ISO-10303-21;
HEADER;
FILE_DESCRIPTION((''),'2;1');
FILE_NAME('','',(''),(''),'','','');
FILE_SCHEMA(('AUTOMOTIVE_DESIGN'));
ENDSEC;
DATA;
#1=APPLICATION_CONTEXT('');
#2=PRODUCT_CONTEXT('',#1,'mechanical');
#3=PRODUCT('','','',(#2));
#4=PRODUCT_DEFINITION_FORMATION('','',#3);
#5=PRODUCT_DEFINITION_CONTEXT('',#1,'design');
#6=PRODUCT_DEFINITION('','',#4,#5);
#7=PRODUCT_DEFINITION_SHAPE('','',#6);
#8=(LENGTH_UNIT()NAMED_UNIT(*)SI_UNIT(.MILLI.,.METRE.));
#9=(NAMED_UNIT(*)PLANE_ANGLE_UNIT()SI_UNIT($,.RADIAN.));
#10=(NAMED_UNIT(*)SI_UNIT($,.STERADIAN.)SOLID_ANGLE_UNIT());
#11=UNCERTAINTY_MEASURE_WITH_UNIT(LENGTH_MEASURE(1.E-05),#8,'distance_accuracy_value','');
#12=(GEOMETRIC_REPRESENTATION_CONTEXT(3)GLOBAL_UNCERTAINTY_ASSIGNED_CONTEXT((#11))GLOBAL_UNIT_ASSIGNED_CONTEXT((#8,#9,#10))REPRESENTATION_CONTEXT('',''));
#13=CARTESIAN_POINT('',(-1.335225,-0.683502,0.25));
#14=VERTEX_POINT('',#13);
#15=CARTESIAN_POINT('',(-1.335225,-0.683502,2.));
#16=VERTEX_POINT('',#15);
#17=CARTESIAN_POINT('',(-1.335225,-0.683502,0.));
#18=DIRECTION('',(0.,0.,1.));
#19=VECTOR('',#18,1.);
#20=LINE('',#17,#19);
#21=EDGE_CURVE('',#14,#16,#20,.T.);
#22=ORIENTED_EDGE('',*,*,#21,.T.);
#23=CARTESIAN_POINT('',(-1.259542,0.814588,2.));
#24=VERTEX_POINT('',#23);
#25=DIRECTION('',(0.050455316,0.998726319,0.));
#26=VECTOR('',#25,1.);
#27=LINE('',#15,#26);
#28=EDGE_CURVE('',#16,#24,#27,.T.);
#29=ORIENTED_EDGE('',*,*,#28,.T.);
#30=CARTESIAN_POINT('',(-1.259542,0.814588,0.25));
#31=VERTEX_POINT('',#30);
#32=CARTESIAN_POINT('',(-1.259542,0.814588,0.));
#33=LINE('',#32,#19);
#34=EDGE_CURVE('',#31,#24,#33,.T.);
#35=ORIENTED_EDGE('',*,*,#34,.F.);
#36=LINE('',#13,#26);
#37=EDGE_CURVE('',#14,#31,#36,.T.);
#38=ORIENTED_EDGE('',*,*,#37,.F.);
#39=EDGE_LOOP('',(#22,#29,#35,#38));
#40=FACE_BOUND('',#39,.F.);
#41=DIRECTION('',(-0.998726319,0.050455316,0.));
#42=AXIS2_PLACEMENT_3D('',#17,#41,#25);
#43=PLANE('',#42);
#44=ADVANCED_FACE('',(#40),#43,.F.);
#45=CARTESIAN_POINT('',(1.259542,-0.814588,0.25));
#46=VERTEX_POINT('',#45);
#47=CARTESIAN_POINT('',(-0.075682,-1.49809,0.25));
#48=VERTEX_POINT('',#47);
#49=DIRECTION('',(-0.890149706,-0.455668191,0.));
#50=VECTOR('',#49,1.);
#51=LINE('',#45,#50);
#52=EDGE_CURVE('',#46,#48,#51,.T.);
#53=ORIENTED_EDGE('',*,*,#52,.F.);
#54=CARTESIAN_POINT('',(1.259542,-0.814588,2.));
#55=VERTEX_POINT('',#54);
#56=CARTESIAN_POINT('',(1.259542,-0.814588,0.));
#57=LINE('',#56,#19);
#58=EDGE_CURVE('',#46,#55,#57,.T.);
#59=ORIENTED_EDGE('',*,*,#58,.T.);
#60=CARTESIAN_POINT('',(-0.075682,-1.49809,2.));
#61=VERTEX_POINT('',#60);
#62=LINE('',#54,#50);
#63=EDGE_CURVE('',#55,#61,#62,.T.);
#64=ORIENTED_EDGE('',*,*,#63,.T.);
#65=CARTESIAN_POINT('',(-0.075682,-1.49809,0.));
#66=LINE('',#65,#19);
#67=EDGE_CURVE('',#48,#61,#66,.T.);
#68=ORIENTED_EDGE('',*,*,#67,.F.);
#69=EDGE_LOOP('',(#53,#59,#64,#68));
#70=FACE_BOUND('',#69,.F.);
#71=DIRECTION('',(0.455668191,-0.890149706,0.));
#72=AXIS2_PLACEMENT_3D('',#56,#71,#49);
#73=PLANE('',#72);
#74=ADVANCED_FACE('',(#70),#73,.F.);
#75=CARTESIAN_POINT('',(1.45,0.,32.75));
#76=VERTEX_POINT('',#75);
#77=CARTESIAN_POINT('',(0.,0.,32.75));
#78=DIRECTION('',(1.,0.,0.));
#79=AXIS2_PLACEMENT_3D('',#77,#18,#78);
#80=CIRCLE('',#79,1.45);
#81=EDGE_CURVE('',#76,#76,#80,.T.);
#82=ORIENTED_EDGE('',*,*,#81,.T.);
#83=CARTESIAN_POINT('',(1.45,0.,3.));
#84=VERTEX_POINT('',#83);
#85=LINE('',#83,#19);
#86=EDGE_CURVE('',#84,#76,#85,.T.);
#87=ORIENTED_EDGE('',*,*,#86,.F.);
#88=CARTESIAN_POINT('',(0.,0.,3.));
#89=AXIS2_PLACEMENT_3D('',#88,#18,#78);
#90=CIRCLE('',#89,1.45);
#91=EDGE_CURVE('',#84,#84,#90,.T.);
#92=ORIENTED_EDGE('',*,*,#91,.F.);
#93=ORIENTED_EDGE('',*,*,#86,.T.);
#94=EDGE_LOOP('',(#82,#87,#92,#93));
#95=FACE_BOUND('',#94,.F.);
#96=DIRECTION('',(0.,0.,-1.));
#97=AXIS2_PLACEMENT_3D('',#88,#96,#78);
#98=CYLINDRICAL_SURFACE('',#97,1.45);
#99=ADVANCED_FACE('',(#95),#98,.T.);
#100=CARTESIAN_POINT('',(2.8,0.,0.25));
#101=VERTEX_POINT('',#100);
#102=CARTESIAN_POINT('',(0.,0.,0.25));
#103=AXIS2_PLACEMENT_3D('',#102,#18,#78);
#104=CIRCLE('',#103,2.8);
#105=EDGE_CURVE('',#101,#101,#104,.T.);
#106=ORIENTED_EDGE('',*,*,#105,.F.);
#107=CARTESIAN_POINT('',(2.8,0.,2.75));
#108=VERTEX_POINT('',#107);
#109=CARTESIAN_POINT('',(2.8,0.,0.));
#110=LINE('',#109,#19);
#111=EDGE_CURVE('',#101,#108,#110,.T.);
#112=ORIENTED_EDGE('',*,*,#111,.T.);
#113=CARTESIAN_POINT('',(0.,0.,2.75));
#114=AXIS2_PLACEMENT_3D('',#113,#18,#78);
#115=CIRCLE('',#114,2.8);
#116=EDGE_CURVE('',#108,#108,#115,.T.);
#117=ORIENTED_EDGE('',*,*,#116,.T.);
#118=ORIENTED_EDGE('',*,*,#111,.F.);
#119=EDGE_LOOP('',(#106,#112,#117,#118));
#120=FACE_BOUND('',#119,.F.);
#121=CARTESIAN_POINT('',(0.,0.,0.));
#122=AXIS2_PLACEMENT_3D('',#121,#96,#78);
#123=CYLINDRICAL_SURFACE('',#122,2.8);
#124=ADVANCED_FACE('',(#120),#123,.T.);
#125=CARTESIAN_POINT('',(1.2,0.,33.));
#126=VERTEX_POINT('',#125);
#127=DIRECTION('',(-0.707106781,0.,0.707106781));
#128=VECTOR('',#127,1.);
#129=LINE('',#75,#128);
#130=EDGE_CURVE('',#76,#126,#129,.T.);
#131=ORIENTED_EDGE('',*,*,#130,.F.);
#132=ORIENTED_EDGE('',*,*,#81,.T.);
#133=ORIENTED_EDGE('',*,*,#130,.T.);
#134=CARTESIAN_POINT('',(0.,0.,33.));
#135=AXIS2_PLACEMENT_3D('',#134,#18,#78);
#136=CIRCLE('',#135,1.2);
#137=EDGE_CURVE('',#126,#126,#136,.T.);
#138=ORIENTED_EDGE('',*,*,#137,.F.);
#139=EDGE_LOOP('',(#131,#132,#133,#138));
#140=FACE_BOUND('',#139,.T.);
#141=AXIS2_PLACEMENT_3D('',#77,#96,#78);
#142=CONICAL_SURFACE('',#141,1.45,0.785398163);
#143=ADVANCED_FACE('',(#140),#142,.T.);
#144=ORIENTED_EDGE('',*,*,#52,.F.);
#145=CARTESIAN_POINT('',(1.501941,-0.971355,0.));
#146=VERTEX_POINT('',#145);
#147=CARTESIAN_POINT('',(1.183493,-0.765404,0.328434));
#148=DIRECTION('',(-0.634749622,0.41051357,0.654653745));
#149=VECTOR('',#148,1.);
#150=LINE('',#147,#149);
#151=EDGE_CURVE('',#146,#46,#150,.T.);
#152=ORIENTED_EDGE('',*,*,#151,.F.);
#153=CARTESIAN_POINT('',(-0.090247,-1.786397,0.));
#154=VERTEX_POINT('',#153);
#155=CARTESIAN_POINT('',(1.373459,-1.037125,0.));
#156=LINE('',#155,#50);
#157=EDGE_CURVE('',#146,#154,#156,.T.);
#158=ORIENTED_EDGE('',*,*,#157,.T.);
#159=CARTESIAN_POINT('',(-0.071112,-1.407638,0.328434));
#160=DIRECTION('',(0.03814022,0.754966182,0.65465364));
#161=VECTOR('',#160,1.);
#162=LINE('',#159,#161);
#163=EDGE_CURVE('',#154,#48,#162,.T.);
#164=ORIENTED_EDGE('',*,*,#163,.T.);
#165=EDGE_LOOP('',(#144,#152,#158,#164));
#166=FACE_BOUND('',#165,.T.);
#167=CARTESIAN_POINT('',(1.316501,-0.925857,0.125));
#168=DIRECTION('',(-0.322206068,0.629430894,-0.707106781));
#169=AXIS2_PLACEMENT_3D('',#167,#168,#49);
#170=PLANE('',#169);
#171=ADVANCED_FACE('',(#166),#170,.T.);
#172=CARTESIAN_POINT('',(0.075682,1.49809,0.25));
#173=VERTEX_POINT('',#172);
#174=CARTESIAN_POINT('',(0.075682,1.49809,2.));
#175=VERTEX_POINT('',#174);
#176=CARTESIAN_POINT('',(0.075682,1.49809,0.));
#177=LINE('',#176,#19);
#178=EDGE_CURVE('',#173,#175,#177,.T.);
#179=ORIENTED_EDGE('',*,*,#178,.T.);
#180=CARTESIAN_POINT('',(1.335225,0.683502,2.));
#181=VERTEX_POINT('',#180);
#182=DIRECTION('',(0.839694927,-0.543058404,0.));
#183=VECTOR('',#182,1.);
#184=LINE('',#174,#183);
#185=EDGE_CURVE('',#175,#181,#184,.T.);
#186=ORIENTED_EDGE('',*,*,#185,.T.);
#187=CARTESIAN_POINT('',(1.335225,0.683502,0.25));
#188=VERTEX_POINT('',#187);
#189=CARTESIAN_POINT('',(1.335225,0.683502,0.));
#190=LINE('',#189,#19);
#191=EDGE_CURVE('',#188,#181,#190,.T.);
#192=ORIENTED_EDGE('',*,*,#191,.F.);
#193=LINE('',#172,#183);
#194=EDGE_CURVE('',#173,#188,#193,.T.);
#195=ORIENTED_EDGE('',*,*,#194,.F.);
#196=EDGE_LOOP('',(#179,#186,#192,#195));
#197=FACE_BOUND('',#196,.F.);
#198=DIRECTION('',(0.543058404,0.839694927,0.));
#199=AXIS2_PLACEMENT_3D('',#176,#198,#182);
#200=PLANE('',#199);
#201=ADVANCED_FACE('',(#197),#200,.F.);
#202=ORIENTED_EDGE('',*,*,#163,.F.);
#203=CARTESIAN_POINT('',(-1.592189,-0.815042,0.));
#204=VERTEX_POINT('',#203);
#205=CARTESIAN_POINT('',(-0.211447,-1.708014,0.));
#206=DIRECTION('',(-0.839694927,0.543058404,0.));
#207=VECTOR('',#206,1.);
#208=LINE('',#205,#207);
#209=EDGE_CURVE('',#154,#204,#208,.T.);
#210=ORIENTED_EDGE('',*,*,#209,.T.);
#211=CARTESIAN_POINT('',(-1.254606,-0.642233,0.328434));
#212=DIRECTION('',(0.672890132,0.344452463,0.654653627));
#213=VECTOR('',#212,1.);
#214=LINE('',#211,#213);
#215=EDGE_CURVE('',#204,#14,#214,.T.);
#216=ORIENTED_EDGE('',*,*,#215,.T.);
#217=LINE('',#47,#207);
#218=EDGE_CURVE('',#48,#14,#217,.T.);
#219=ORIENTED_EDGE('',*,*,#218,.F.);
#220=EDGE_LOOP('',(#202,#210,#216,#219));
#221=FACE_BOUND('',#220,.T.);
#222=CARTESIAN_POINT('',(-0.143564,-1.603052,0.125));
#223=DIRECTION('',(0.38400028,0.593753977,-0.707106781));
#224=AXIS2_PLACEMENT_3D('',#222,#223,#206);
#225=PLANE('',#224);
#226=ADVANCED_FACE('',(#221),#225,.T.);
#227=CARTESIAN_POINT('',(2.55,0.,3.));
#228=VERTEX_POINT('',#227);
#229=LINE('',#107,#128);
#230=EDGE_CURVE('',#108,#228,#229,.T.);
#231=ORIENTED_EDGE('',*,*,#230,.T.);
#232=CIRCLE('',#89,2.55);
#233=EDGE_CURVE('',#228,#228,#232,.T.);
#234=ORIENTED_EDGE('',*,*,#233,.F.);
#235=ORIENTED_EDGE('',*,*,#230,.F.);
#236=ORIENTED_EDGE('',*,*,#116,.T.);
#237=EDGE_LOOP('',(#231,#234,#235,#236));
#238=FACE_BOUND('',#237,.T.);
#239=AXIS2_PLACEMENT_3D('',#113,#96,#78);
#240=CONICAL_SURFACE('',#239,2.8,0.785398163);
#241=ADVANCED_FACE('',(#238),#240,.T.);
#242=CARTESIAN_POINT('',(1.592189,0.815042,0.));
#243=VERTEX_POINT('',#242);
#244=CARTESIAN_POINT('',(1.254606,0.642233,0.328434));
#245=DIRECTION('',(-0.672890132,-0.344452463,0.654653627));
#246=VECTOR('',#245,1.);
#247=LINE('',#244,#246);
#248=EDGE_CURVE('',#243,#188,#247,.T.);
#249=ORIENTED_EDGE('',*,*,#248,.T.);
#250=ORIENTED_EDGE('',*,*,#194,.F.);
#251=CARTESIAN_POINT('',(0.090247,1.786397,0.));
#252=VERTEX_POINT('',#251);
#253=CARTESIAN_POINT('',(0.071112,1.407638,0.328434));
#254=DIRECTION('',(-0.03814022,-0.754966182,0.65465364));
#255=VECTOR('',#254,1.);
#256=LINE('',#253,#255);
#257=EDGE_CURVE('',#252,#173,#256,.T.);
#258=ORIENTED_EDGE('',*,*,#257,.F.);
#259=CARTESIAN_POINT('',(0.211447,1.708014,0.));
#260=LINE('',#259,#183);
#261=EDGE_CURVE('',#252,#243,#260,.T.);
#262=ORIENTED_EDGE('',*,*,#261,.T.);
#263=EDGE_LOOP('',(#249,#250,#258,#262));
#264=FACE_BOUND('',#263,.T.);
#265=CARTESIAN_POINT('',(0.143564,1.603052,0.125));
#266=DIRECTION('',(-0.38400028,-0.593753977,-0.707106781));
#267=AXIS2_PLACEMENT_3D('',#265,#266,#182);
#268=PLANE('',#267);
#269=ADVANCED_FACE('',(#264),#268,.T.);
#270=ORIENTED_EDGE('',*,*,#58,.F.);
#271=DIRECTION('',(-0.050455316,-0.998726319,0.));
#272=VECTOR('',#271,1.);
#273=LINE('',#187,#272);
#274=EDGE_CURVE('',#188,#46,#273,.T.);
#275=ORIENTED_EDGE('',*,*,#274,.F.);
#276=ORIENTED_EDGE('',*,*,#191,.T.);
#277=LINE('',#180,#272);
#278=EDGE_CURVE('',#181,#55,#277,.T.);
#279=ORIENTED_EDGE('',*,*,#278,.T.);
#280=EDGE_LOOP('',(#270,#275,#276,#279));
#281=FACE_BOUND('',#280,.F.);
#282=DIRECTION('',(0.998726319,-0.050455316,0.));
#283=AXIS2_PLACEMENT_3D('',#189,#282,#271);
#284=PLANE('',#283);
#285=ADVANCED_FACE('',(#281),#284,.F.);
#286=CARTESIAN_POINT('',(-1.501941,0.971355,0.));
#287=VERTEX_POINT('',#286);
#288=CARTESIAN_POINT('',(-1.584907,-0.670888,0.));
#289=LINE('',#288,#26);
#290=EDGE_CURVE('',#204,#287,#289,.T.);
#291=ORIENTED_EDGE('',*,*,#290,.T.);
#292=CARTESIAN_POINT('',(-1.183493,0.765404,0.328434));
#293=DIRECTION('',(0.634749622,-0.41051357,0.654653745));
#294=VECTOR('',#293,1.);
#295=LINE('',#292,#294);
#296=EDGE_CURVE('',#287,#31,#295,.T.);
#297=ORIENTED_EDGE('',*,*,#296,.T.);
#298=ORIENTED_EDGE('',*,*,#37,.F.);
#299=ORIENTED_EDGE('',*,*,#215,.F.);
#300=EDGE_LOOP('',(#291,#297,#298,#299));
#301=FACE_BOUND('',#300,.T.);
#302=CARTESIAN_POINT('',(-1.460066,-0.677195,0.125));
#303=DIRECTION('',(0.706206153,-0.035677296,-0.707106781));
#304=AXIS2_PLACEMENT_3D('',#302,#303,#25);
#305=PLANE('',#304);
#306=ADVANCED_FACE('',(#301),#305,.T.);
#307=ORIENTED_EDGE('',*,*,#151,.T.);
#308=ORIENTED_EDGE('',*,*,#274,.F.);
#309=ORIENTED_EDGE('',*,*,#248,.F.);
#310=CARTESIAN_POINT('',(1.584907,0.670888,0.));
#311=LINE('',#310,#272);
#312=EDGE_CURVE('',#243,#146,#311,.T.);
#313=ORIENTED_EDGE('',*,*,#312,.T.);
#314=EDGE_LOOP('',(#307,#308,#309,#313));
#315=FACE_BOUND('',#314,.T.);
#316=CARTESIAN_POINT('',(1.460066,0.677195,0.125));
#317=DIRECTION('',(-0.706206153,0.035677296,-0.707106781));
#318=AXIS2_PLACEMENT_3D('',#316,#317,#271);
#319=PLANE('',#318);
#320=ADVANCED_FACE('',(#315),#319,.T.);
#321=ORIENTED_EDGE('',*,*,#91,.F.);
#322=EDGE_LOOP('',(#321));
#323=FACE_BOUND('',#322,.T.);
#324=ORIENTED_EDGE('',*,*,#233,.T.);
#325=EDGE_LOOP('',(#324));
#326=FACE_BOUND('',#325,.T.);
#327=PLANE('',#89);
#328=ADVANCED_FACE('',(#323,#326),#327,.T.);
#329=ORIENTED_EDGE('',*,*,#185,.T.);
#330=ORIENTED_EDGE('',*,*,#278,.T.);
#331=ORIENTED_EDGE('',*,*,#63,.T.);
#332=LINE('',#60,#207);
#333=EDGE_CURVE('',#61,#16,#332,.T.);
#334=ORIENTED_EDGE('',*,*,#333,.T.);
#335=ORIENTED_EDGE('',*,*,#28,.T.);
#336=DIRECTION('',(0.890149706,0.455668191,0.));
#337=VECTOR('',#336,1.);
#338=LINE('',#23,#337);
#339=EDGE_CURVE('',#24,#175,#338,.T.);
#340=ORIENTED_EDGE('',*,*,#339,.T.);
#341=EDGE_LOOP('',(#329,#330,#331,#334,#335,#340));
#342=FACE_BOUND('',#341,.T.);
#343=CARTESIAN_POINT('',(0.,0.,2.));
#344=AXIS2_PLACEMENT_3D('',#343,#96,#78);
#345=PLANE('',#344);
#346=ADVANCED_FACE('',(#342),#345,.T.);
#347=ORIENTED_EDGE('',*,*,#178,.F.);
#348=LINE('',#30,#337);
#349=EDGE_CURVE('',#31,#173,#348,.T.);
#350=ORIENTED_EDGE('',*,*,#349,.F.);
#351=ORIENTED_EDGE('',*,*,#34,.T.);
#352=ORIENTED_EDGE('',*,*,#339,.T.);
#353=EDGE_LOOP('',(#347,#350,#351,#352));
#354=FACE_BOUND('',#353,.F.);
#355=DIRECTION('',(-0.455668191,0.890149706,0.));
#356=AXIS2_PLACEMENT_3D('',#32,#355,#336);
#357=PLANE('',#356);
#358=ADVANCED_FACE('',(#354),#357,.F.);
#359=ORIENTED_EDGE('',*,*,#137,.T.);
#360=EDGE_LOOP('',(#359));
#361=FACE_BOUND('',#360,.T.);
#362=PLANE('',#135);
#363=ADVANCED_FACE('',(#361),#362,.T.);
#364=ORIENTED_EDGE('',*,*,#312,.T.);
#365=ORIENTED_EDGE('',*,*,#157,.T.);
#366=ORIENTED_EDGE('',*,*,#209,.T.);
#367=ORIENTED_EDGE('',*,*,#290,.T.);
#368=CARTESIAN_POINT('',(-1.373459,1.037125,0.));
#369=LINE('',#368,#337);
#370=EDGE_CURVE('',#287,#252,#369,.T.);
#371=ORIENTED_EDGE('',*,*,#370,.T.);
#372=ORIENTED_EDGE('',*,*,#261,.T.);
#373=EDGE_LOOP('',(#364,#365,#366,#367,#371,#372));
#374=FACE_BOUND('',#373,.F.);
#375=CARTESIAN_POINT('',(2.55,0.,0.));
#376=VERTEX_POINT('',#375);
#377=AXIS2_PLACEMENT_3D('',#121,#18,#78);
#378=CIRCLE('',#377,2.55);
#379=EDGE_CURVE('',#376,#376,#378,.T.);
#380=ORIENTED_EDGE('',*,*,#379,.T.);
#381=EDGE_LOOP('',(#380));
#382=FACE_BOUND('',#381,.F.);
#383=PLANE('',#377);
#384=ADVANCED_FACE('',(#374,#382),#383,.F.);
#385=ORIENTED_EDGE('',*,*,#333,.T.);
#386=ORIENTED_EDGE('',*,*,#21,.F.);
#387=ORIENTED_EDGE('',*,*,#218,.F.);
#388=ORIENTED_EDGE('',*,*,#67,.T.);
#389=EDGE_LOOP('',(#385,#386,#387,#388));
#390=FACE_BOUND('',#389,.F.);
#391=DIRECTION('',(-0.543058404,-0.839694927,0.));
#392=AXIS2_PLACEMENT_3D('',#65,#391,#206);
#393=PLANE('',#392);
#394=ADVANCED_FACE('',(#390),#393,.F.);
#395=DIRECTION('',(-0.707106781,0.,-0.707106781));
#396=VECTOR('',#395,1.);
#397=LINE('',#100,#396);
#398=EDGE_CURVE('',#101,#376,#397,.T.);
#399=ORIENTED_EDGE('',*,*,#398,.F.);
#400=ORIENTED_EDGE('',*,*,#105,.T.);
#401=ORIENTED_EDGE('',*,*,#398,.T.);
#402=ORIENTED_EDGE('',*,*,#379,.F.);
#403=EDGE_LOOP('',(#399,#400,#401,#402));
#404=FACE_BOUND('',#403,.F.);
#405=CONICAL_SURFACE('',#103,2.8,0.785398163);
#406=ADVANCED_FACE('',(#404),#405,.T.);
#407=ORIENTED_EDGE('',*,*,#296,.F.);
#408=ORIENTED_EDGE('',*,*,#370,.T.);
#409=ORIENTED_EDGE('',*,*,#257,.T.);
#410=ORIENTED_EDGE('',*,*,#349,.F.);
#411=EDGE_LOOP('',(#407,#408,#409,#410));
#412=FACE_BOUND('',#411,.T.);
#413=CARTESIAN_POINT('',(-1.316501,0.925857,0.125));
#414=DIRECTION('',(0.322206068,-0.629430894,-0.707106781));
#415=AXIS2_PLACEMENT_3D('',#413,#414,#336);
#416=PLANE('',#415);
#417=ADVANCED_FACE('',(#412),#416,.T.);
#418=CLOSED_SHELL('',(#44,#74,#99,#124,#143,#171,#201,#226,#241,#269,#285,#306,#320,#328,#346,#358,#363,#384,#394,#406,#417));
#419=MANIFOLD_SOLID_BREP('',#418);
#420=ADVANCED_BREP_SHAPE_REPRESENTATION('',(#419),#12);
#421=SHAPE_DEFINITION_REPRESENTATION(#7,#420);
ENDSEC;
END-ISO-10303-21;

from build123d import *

# Parameters (mm, degrees)
SKETCH_R     = 2.8
PAD_DEPTH    = 3
SKETCH001_R  = 1.45
PAD001_DEPTH = 30
POCKET_DEPTH = 2
CHAMFER_SIZE = 0.25


with BuildPart() as part:
    # Sketch → Pad (new body)
    with BuildSketch(Plane.XY):
        Circle(SKETCH_R)
    extrude(amount=PAD_DEPTH)

    # Sketch001 (on Face3 of Pad) → Pad001 (join)
    with BuildSketch(Plane.XY.offset(3)):
        Circle(SKETCH001_R)
    extrude(amount=PAD001_DEPTH)

    # Sketch002 (on Face2 of Pad001) → Pocket (cut)
    with BuildSketch(Plane(origin=(0, 0, 0), x_dir=(1, 0, 0), z_dir=(0, 0, -1))):
        Polygon((1.259542, 0.814588), (-0.075682, 1.49809), (-1.335225, 0.683502), (-1.259542, -0.814588), (0.075682, -1.49809), (1.335225, -0.683502), align=None)
    extrude(amount=-POCKET_DEPTH, mode=Mode.SUBTRACT)

    # Chamfer
    chamfer_edges = [part.edges().sort_by_distance(p)[0] for p in [
        (-2.8, 0, 3),
        (-2.8, 0, 0),
        (1.297384, -0.065543, 0),
        (0.705454, 1.090796, 0),
        (-0.59193, 1.156339, 0),
        (-1.297384, 0.065543, 0),
        (-0.705454, -1.090796, 0),
        (0.59193, -1.156339, 0),
        (-1.45, 0, 33),
    ]]
    chamfer(chamfer_edges, length=CHAMFER_SIZE)


solid = part.part
